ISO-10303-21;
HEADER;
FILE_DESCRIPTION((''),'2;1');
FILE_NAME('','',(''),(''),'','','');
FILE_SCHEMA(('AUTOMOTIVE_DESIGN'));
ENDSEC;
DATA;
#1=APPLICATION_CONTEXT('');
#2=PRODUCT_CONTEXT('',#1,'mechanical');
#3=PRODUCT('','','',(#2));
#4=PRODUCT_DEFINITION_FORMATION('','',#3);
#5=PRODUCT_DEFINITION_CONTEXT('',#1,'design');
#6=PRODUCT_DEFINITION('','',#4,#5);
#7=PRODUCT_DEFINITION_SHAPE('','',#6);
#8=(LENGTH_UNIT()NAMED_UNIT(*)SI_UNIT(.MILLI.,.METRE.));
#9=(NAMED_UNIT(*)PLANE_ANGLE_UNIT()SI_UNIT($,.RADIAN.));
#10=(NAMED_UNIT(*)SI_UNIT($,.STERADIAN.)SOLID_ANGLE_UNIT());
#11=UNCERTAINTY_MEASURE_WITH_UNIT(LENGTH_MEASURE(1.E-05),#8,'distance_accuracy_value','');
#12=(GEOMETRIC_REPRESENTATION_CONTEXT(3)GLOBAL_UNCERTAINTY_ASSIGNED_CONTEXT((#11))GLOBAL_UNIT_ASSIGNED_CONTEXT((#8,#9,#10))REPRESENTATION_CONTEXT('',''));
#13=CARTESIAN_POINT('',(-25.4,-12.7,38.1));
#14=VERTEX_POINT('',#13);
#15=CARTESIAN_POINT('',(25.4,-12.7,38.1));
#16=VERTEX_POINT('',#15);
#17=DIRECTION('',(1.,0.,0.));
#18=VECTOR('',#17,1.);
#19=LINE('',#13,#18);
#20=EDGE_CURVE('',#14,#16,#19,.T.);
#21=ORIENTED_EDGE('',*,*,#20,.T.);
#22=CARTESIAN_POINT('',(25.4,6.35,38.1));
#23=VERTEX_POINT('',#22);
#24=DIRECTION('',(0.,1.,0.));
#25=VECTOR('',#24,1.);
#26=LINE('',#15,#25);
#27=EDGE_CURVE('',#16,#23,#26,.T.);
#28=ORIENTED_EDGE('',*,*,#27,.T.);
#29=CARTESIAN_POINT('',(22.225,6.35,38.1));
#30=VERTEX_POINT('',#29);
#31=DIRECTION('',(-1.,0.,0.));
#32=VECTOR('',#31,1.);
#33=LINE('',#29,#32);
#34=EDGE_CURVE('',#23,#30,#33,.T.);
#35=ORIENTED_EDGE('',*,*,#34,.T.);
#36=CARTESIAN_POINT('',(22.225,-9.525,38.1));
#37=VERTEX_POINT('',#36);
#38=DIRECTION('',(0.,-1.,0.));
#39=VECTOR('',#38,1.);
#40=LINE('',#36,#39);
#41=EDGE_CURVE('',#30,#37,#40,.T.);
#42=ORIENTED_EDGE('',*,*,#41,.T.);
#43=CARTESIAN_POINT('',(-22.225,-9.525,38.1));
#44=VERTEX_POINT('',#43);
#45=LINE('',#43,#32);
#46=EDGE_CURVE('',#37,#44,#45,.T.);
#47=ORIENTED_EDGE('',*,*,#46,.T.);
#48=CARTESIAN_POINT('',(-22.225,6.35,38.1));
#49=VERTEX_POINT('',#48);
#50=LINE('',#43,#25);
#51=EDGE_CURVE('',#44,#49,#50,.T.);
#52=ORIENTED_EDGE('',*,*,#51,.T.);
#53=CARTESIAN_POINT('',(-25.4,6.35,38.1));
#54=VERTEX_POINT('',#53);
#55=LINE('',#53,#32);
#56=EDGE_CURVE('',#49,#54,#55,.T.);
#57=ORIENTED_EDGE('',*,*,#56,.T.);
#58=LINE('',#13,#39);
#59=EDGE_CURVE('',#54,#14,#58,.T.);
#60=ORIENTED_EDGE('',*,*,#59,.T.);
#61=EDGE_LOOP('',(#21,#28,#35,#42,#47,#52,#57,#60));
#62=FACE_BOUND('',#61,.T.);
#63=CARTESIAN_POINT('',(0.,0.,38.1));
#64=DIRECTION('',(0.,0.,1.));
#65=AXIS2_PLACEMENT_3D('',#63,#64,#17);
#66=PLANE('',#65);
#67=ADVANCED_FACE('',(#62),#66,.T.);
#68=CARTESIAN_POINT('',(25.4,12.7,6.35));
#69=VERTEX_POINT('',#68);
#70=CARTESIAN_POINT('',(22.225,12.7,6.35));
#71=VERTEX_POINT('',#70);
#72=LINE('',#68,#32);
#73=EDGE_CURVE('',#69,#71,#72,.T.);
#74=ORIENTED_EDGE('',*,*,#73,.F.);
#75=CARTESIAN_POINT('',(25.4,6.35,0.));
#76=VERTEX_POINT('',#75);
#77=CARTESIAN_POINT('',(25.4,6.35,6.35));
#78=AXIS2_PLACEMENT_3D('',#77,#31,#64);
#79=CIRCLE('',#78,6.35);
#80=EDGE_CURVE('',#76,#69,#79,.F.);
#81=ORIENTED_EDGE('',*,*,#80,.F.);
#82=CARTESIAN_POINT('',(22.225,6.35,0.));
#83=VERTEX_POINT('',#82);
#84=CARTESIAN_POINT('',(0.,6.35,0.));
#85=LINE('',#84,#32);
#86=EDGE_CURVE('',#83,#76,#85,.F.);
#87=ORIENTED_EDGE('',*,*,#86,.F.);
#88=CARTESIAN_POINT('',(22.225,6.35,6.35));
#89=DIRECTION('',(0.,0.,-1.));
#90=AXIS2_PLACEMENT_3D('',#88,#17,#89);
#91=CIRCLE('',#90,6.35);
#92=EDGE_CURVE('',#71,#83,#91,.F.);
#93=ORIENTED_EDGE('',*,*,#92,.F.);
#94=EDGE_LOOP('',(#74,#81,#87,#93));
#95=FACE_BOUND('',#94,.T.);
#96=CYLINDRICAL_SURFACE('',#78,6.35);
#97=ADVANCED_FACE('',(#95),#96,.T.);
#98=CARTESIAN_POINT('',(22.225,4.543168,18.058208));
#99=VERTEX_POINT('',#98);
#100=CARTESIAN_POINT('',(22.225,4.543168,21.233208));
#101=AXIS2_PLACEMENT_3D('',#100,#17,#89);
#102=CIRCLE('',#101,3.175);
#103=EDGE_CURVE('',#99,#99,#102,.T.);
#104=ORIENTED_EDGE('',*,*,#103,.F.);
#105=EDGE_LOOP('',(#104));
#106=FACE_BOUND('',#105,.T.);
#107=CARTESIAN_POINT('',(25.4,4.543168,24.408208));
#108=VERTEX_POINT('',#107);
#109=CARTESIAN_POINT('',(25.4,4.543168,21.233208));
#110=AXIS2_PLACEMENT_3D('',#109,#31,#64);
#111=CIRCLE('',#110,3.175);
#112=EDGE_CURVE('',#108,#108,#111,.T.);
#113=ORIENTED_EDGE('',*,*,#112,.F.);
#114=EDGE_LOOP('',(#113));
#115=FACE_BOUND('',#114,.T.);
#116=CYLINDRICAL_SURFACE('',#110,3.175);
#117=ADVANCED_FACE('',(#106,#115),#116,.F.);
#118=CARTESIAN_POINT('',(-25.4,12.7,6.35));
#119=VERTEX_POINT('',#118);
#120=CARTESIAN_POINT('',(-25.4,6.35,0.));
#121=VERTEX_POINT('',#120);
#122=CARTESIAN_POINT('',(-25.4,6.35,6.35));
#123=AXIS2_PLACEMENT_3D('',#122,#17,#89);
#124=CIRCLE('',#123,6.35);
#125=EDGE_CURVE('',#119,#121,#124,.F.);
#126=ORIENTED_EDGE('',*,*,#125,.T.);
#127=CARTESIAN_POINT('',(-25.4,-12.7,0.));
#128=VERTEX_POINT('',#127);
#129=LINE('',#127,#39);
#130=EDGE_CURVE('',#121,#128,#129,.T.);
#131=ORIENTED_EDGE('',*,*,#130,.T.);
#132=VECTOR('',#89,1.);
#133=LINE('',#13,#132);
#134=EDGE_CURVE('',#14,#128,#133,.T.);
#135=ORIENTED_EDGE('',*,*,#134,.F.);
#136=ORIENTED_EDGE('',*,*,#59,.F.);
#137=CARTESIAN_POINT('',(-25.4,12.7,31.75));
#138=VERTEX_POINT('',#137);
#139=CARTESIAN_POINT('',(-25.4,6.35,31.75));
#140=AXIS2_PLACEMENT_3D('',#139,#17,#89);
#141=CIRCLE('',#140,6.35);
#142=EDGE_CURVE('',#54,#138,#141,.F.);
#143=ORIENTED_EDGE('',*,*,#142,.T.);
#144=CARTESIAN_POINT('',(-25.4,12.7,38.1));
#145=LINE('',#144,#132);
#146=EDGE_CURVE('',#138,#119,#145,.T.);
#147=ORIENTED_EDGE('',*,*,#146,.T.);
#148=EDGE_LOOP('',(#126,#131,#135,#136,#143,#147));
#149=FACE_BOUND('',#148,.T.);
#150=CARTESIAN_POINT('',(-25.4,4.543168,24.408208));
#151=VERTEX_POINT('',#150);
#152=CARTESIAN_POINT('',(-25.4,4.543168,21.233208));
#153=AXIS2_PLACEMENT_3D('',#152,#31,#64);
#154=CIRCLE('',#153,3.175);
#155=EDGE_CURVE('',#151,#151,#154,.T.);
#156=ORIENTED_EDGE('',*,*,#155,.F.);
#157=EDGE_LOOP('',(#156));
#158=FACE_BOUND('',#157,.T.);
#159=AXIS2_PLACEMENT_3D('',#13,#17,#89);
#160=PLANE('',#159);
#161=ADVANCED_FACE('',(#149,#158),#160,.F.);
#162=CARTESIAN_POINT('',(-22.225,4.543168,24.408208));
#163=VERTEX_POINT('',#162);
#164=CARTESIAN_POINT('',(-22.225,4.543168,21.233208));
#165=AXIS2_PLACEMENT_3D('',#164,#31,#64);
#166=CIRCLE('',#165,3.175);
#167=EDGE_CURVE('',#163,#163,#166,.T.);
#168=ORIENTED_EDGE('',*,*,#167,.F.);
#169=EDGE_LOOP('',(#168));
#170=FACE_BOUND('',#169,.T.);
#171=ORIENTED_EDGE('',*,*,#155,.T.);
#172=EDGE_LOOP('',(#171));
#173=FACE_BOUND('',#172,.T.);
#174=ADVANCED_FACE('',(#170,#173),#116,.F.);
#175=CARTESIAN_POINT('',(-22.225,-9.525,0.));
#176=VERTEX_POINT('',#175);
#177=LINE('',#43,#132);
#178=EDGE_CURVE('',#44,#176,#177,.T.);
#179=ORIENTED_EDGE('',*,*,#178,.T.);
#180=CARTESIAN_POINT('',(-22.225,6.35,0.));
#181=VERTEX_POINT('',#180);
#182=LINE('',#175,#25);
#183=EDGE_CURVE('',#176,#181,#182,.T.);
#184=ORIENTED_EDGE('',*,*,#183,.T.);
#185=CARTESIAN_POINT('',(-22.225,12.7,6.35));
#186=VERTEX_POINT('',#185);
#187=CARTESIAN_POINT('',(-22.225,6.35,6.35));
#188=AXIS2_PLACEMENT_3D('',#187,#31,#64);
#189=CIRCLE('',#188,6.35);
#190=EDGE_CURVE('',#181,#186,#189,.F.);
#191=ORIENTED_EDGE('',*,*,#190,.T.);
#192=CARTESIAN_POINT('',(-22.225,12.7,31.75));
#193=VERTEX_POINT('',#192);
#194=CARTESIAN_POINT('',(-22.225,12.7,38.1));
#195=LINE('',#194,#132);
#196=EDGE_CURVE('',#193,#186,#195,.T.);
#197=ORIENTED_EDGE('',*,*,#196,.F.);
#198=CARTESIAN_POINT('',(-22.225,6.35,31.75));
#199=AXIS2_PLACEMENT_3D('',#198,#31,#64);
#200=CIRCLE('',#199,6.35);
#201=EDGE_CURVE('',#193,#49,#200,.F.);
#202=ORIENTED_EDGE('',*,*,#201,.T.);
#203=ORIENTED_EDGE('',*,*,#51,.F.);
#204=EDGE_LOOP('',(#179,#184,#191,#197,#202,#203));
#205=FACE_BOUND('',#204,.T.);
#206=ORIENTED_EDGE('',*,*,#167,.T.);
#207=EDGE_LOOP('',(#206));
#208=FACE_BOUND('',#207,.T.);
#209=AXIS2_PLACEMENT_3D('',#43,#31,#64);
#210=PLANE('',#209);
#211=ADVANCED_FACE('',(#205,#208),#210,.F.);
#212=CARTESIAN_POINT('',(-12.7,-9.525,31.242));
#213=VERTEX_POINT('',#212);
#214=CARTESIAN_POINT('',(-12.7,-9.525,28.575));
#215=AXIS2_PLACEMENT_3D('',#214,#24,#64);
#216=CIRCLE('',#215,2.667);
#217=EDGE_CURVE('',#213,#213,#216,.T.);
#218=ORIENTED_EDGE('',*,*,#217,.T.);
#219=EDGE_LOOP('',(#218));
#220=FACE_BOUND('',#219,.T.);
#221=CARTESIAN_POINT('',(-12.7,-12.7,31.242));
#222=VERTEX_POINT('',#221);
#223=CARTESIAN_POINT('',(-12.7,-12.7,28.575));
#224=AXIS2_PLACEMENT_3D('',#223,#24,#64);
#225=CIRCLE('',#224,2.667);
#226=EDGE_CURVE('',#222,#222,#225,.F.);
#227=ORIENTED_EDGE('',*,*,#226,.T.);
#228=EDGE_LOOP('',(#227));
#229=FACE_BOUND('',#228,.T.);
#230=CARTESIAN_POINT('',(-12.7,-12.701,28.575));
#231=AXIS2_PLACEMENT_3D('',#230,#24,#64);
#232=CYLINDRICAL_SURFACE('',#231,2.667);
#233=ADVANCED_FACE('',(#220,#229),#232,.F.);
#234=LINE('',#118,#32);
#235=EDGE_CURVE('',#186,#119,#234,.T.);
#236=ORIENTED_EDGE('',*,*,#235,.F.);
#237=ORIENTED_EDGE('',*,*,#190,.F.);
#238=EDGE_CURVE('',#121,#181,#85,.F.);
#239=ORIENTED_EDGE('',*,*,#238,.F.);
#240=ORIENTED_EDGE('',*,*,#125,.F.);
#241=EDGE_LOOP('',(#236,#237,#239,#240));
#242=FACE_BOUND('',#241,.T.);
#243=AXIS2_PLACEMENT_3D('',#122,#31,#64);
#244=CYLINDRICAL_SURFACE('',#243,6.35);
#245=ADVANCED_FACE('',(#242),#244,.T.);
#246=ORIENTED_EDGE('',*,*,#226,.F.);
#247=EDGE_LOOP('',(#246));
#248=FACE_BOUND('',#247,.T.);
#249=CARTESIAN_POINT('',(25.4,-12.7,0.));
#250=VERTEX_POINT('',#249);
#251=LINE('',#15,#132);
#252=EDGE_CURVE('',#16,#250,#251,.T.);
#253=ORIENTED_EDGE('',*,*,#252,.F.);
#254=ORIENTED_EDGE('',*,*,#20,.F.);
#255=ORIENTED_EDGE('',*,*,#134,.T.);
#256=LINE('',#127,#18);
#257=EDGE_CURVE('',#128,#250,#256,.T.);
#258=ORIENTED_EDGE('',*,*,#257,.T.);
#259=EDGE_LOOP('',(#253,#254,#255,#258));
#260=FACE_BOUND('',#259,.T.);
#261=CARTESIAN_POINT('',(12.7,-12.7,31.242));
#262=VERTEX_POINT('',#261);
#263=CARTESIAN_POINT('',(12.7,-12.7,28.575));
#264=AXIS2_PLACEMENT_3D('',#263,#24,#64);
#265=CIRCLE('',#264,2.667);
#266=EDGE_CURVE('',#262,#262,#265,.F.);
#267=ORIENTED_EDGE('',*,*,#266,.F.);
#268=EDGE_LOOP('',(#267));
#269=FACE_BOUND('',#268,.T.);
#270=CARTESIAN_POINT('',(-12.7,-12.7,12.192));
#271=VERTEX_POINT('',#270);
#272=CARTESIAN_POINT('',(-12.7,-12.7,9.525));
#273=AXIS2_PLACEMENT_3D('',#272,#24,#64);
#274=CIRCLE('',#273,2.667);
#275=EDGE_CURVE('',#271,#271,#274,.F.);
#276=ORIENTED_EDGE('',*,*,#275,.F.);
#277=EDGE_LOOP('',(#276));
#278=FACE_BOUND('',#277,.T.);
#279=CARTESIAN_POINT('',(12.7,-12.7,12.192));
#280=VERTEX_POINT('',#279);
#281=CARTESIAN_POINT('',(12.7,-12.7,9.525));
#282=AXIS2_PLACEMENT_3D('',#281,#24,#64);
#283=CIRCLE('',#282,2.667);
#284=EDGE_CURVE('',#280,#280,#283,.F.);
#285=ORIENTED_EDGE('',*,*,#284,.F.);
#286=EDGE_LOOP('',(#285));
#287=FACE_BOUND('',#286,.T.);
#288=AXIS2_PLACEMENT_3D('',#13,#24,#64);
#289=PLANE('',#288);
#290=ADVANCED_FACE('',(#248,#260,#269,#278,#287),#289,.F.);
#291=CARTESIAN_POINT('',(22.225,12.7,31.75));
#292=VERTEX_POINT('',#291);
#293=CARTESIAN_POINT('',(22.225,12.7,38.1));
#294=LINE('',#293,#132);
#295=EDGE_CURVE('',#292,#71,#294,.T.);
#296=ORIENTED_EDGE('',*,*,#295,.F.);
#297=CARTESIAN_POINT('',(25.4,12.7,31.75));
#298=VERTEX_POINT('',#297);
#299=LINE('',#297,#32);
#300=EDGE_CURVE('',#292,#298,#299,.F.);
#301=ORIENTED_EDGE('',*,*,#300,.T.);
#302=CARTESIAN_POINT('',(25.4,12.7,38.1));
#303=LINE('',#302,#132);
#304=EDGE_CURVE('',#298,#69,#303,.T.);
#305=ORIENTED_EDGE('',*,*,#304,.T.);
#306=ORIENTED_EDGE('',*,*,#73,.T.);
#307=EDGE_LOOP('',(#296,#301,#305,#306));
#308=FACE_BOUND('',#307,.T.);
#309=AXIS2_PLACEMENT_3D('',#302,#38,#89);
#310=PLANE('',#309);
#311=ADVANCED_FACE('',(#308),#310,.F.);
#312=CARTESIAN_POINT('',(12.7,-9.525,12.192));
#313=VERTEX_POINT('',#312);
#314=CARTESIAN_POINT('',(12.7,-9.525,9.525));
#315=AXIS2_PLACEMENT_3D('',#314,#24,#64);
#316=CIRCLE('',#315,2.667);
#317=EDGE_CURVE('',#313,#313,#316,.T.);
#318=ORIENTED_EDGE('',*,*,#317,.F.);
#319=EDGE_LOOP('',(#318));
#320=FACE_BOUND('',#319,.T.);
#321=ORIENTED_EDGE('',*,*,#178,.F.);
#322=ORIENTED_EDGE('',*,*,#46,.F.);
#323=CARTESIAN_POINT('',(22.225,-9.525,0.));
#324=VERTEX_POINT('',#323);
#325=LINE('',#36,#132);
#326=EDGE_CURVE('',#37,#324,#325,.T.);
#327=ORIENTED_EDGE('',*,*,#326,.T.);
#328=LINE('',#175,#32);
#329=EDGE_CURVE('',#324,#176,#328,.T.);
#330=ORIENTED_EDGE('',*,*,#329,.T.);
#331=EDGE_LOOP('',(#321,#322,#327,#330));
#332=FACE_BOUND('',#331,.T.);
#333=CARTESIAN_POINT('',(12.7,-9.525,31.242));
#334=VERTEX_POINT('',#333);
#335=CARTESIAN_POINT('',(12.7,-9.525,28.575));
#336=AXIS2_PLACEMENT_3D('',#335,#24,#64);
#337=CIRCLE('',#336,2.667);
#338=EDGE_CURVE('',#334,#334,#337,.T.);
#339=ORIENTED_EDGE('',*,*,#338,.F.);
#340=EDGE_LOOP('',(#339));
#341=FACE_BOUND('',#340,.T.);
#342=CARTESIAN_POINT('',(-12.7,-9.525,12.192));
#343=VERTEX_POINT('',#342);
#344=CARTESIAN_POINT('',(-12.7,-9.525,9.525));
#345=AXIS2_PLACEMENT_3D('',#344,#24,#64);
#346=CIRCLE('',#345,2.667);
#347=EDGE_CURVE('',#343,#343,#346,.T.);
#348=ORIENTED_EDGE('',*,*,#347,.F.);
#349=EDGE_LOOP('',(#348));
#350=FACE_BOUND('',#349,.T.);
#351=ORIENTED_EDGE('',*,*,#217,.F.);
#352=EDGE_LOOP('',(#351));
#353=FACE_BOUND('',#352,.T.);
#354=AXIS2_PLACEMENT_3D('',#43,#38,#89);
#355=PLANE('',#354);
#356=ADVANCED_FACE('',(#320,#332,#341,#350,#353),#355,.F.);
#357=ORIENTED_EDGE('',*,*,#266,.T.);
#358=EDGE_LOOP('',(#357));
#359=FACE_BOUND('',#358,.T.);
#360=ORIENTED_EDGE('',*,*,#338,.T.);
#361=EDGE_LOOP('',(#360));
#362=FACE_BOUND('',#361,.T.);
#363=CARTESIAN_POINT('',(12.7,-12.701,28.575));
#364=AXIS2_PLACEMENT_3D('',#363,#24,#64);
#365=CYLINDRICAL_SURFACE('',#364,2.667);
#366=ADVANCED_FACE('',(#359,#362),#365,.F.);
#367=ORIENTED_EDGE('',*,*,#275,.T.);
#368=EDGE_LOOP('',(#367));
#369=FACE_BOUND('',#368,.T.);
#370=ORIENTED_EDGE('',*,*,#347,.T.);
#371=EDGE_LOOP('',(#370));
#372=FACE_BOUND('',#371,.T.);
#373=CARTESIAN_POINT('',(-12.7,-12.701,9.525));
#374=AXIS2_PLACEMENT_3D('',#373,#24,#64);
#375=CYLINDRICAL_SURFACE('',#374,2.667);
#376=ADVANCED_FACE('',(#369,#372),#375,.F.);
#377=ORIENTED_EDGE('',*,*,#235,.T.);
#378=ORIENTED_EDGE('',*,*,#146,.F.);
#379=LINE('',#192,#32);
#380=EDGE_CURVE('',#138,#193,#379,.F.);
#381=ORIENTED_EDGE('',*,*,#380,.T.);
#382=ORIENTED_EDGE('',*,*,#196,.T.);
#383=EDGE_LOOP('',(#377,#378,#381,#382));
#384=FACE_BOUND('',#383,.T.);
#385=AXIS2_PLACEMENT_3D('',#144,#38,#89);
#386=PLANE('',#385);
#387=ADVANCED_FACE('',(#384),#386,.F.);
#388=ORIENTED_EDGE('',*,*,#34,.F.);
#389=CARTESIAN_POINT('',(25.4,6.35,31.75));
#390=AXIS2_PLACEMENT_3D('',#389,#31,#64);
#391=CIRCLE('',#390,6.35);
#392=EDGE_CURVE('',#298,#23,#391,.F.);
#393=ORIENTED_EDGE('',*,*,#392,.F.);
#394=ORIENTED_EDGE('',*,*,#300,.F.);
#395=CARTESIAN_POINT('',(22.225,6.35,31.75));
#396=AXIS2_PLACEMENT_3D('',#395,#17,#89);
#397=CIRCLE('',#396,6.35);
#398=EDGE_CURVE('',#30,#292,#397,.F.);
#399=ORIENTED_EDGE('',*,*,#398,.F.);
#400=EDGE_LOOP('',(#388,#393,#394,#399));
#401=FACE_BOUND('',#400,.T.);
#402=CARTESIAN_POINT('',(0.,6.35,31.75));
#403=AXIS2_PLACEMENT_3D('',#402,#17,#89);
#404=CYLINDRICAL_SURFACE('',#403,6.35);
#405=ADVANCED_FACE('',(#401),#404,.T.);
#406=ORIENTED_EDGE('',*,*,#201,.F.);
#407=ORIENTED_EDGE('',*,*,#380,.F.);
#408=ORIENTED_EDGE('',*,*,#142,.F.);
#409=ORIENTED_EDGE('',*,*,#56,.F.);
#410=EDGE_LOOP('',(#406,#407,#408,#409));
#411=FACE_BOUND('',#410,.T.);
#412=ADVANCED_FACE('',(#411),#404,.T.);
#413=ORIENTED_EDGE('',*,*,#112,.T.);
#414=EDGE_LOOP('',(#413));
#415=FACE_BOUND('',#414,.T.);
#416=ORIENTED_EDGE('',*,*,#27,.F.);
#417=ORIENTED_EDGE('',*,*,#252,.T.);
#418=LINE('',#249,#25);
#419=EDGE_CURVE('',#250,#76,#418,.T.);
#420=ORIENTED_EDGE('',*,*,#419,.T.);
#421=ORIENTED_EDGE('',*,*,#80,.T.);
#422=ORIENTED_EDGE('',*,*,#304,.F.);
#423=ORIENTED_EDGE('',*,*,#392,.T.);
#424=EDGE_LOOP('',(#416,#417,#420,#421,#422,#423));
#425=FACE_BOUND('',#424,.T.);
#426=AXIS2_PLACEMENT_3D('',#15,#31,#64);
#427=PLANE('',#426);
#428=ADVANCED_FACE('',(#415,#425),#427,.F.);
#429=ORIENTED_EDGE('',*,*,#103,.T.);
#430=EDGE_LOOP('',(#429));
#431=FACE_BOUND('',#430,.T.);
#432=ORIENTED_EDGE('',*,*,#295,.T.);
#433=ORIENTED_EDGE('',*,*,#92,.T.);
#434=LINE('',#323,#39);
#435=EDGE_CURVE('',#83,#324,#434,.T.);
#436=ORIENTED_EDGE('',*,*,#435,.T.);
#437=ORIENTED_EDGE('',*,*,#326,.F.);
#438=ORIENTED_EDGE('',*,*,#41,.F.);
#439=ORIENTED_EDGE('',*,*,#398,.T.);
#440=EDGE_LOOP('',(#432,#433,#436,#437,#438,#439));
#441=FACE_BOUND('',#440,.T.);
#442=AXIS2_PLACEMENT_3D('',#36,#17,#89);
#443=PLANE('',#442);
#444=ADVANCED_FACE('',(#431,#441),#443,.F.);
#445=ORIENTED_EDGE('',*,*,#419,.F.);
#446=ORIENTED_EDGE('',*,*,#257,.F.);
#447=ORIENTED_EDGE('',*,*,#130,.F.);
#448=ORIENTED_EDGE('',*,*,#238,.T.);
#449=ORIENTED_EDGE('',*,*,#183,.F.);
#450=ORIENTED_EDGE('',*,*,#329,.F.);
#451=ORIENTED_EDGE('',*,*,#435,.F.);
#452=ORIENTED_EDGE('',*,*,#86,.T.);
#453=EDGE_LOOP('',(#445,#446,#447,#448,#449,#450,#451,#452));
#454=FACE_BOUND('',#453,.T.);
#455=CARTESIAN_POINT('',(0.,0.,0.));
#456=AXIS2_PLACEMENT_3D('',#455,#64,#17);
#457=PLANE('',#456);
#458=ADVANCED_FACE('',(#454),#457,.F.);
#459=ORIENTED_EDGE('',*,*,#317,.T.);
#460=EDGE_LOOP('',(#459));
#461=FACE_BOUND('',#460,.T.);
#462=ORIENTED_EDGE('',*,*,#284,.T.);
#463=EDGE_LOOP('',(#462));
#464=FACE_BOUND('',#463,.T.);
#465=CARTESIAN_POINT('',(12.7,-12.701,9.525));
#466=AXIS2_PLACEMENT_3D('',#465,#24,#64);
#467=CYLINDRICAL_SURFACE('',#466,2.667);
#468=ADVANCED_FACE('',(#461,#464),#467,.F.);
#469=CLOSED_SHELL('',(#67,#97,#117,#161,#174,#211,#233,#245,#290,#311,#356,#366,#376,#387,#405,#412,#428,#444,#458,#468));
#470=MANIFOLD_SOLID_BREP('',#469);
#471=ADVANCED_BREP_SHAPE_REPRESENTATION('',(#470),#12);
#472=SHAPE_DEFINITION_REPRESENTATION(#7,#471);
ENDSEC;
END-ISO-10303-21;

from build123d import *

# Parameters (mm, degrees)
BOSS_EXTRUDE1_DEPTH = 38.1
SKETCH2_R           = 3.175
CUT_EXTRUDE1_DEPTH  = 65.757547823
CUT_EXTRUDE2_REACH  = 52.899
SKETCH3_R           = 2.667
FILLET1_R           = 6.35


with BuildPart() as part:
    # Sketch1 → Boss-Extrude1 (new body)
    with BuildSketch(Plane.XY):
        Polygon((-22.225, -9.525), (-22.225, 12.7), (-25.4, 12.7), (-25.4, -12.7), (25.4, -12.7), (25.4, 12.7), (22.225, 12.7), (22.225, -9.525), align=None)
    extrude(amount=BOSS_EXTRUDE1_DEPTH)

    # Sketch2 → Cut-Extrude1 (cut, through all)
    with BuildSketch(Plane.ZY.offset(25.4)):
        with Locations((21.233208268, 4.543167929)):
            Circle(SKETCH2_R)
    extrude(amount=-CUT_EXTRUDE1_DEPTH, mode=Mode.SUBTRACT)

    # Sketch3 → Cut-Extrude2 (cut, up to next)
    with BuildSketch(Plane(origin=(0, -9.525, 0), x_dir=(1, 0, 0), z_dir=(0, 1, 0)), mode=Mode.PRIVATE) as cut_extrude2_sk1:
        with Locations(Location((12.7, -9.525, 0), (0, 0, 270))):
            Circle(SKETCH3_R)
    cut_extrude2_tool1 = extrude(cut_extrude2_sk1.sketch, amount=-CUT_EXTRUDE2_REACH, mode=Mode.PRIVATE) & part.part
    # Sketch3 → Cut-Extrude2 (cut, up to next)
    with BuildSketch(Plane(origin=(0, -9.525, 0), x_dir=(1, 0, 0), z_dir=(0, 1, 0)), mode=Mode.PRIVATE) as cut_extrude2_sk2:
        with Locations(Location((12.7, -28.575, 0), (0, 0, 270))):
            Circle(SKETCH3_R)
    cut_extrude2_tool2 = extrude(cut_extrude2_sk2.sketch, amount=-CUT_EXTRUDE2_REACH, mode=Mode.PRIVATE) & part.part
    # Sketch3 → Cut-Extrude2 (cut, up to next)
    with BuildSketch(Plane(origin=(0, -9.525, 0), x_dir=(1, 0, 0), z_dir=(0, 1, 0)), mode=Mode.PRIVATE) as cut_extrude2_sk3:
        with Locations(Location((-12.7, -28.575, 0), (0, 0, 270))):
            Circle(SKETCH3_R)
    cut_extrude2_tool3 = extrude(cut_extrude2_sk3.sketch, amount=-CUT_EXTRUDE2_REACH, mode=Mode.PRIVATE) & part.part
    # Sketch3 → Cut-Extrude2 (cut, up to next)
    with BuildSketch(Plane(origin=(0, -9.525, 0), x_dir=(1, 0, 0), z_dir=(0, 1, 0)), mode=Mode.PRIVATE) as cut_extrude2_sk4:
        with Locations(Location((-12.7, -9.525, 0), (0, 0, 270))):
            Circle(SKETCH3_R)
    cut_extrude2_tool4 = extrude(cut_extrude2_sk4.sketch, amount=-CUT_EXTRUDE2_REACH, mode=Mode.PRIVATE) & part.part
    add(cut_extrude2_tool1.solids().sort_by_distance((12.7, -9.525, 9.525))[0], mode=Mode.SUBTRACT)
    add(cut_extrude2_tool2.solids().sort_by_distance((12.7, -9.525, 28.575))[0], mode=Mode.SUBTRACT)
    add(cut_extrude2_tool3.solids().sort_by_distance((-12.7, -9.525, 28.575))[0], mode=Mode.SUBTRACT)
    add(cut_extrude2_tool4.solids().sort_by_distance((-12.7, -9.525, 9.525))[0], mode=Mode.SUBTRACT)

    # Fillet1
    fillet1_edges = [part.edges().sort_by_distance(p)[0] for p in [
        (-23.8125, 12.7, 38.1),
        (23.8125, 12.7, 38.1),
        (23.8125, 12.7, 0),
        (-23.8125, 12.7, 0),
    ]]
    fillet(fillet1_edges, radius=FILLET1_R)


solid = part.part
